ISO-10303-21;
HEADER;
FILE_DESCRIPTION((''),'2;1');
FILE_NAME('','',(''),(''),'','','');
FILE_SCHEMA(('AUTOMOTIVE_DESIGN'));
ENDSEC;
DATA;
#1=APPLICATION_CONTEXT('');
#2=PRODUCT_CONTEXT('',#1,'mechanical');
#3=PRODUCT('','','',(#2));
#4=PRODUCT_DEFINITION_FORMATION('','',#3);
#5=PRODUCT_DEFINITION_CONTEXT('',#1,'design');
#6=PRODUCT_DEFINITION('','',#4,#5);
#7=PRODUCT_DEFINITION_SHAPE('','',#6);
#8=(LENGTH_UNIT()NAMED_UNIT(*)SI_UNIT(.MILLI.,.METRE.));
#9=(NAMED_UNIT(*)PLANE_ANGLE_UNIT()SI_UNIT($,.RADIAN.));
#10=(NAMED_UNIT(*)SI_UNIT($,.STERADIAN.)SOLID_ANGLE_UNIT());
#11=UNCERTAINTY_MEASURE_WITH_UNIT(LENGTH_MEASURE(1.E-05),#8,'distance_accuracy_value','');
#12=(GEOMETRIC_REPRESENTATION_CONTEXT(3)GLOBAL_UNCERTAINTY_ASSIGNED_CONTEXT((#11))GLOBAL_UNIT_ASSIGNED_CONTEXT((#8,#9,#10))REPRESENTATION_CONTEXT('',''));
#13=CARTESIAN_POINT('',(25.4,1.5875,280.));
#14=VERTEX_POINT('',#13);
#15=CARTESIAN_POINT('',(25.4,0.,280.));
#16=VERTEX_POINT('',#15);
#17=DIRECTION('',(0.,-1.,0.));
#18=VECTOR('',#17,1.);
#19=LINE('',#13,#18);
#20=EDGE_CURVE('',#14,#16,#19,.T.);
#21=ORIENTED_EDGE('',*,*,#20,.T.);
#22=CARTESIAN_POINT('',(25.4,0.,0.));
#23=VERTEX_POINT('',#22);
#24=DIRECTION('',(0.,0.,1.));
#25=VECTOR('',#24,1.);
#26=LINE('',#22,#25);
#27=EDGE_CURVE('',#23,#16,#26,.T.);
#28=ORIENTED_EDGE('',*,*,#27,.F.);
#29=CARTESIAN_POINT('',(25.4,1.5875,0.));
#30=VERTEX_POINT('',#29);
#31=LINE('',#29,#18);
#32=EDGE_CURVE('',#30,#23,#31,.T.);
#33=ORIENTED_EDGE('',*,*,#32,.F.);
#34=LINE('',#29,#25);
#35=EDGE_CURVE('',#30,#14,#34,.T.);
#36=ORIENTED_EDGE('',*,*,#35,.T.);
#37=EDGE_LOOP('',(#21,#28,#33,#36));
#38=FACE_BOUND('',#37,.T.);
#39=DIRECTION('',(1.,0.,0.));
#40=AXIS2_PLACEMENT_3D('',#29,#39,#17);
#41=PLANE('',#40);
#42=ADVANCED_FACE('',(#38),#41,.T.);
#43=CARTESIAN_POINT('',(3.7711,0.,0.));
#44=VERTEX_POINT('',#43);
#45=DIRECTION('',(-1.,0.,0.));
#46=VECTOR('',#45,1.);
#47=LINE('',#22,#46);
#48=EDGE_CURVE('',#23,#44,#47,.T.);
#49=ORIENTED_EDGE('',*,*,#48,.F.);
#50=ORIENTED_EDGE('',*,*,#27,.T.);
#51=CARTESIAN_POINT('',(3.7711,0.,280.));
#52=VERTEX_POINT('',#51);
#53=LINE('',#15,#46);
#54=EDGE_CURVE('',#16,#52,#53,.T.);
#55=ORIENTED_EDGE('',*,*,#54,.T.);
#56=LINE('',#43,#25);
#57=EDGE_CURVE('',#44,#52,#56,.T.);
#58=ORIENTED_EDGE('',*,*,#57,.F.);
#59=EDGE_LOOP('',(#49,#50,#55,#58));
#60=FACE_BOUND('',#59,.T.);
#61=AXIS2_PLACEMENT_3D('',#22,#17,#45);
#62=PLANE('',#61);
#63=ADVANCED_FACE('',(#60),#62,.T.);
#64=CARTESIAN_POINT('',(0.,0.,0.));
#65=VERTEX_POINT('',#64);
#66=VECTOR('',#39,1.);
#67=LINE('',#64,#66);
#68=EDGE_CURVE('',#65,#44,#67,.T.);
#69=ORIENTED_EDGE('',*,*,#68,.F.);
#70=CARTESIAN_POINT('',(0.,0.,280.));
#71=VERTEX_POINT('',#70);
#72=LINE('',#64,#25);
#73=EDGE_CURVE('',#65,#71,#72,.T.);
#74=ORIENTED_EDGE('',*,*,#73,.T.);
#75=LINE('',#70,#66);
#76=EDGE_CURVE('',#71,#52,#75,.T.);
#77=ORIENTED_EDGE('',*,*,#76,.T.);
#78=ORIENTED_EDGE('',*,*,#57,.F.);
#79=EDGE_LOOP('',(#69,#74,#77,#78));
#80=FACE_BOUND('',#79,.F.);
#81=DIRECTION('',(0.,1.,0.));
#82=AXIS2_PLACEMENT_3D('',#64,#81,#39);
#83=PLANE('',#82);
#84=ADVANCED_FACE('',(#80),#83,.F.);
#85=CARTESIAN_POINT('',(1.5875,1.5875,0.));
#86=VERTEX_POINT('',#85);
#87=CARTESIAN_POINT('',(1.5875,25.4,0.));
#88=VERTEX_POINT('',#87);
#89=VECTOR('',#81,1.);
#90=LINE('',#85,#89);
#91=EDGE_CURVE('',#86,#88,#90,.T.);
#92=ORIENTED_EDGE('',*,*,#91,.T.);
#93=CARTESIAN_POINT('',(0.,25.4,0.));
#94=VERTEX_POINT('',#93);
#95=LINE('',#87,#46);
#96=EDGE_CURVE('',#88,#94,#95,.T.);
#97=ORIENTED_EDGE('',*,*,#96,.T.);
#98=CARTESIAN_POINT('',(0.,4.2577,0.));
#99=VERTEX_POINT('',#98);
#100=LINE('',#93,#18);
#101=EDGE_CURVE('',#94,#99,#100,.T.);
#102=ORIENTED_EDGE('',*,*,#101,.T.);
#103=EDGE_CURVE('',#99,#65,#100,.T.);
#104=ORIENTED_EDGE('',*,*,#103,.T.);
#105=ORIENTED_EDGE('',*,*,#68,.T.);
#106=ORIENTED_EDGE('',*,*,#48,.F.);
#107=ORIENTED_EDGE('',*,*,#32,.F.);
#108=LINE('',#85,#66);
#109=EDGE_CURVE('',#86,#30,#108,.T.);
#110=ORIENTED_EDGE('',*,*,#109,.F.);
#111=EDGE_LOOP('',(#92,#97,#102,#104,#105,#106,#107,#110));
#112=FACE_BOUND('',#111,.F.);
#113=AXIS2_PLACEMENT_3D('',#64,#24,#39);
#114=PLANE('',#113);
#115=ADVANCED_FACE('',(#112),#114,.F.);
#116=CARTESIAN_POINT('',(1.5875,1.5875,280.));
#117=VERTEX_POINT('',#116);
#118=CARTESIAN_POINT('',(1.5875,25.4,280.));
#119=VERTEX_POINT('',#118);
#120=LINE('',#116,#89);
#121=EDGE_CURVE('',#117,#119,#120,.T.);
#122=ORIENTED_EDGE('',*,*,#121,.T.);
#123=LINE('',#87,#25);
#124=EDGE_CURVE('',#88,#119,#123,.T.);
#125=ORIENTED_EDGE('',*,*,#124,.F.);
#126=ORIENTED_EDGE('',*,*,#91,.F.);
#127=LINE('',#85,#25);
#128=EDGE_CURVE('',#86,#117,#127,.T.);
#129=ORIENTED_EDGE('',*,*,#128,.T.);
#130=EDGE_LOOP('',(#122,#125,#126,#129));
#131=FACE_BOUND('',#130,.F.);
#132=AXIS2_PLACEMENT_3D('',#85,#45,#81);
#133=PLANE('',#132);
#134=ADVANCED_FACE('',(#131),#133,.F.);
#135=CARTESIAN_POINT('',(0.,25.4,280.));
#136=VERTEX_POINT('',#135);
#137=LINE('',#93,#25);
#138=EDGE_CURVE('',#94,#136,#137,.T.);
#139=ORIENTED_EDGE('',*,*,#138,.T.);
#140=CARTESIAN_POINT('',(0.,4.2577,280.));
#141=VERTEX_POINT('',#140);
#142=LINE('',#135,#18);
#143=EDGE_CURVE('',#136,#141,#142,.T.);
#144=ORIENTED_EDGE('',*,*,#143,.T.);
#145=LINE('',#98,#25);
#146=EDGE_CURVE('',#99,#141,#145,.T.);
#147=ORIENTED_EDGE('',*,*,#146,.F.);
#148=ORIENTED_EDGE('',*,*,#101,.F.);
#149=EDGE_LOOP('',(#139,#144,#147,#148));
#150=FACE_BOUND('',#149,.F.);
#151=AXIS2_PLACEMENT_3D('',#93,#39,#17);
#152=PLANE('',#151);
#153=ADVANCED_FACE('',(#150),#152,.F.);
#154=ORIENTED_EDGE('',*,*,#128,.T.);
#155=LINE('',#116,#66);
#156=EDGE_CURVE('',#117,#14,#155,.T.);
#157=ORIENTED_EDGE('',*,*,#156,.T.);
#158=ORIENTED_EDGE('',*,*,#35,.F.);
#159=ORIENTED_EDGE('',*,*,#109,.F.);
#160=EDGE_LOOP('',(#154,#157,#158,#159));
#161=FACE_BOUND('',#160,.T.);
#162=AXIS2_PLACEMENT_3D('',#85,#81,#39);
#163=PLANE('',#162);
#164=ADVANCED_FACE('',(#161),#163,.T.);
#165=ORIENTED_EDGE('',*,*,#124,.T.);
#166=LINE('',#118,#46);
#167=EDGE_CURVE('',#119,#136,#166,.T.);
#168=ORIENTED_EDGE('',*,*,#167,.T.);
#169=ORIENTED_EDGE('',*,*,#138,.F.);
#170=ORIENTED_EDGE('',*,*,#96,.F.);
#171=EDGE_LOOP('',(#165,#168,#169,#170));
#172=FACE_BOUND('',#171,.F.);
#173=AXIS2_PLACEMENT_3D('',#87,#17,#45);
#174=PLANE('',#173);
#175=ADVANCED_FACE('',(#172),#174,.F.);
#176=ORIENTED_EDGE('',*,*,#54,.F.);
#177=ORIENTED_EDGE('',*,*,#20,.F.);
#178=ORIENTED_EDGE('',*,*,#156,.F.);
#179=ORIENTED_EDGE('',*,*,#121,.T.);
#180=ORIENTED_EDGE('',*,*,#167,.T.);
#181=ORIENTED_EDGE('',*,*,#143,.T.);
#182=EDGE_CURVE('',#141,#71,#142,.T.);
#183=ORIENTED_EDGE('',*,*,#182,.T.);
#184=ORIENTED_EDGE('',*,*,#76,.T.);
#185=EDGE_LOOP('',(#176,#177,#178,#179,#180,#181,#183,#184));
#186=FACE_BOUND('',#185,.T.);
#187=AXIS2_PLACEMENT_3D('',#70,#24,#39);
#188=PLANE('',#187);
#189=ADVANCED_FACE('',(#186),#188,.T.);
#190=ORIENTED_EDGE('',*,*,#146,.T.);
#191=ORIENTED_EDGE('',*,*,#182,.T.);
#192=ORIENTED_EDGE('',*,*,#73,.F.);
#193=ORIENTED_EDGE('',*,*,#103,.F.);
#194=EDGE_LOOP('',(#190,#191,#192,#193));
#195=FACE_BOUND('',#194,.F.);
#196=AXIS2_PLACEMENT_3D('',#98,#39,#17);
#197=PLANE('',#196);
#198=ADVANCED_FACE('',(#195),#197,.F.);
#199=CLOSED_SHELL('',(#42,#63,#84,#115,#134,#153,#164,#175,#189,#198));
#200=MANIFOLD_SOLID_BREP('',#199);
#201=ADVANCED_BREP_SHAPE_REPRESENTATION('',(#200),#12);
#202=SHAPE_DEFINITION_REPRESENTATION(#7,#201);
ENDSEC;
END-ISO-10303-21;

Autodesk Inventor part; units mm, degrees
ref_plane "YZ Plane" through (0, 0, 0) normal (1, 0, 0) x (0, 1, 0)
ref_plane "XZ Plane" through (0, 0, 0) normal (0, 1, 0) x (-1, 0, 0)
ref_plane "XY Plane" through (0, 0, 0) normal (0, 0, 1) x (1, 0, 0)
sketch "Sketch1" plane through (0, 0, 0) normal (0, 0, 1) x (1, 0, 0)
  line L0 (0, 0) -> (3.7711, 0)
  line L1 (1.5875, 1.5875) -> (1.5875, 25.4)
  line L2 (1.5875, 25.4) -> (0, 25.4)
  line L3 (0, 25.4) -> (0, 0)
  line L4 (1.5875, 1.5875) -> (25.4, 1.5875)
  line L5 (25.4, 1.5875) -> (25.4, 0)
  line L6 (25.4, 0) -> (0, 0)
  line L7 (0, 0) -> (0, 4.2577)
  dimension "d0" = 25.4
  dimension "d1" = 25.4
  dimension "d2" = 1.5875
  dimension "d3" = 1.5875
extrude "Extrusion1" add sketch "Sketch1" along normal blind 280
properties part number "Lframe_280mm"
